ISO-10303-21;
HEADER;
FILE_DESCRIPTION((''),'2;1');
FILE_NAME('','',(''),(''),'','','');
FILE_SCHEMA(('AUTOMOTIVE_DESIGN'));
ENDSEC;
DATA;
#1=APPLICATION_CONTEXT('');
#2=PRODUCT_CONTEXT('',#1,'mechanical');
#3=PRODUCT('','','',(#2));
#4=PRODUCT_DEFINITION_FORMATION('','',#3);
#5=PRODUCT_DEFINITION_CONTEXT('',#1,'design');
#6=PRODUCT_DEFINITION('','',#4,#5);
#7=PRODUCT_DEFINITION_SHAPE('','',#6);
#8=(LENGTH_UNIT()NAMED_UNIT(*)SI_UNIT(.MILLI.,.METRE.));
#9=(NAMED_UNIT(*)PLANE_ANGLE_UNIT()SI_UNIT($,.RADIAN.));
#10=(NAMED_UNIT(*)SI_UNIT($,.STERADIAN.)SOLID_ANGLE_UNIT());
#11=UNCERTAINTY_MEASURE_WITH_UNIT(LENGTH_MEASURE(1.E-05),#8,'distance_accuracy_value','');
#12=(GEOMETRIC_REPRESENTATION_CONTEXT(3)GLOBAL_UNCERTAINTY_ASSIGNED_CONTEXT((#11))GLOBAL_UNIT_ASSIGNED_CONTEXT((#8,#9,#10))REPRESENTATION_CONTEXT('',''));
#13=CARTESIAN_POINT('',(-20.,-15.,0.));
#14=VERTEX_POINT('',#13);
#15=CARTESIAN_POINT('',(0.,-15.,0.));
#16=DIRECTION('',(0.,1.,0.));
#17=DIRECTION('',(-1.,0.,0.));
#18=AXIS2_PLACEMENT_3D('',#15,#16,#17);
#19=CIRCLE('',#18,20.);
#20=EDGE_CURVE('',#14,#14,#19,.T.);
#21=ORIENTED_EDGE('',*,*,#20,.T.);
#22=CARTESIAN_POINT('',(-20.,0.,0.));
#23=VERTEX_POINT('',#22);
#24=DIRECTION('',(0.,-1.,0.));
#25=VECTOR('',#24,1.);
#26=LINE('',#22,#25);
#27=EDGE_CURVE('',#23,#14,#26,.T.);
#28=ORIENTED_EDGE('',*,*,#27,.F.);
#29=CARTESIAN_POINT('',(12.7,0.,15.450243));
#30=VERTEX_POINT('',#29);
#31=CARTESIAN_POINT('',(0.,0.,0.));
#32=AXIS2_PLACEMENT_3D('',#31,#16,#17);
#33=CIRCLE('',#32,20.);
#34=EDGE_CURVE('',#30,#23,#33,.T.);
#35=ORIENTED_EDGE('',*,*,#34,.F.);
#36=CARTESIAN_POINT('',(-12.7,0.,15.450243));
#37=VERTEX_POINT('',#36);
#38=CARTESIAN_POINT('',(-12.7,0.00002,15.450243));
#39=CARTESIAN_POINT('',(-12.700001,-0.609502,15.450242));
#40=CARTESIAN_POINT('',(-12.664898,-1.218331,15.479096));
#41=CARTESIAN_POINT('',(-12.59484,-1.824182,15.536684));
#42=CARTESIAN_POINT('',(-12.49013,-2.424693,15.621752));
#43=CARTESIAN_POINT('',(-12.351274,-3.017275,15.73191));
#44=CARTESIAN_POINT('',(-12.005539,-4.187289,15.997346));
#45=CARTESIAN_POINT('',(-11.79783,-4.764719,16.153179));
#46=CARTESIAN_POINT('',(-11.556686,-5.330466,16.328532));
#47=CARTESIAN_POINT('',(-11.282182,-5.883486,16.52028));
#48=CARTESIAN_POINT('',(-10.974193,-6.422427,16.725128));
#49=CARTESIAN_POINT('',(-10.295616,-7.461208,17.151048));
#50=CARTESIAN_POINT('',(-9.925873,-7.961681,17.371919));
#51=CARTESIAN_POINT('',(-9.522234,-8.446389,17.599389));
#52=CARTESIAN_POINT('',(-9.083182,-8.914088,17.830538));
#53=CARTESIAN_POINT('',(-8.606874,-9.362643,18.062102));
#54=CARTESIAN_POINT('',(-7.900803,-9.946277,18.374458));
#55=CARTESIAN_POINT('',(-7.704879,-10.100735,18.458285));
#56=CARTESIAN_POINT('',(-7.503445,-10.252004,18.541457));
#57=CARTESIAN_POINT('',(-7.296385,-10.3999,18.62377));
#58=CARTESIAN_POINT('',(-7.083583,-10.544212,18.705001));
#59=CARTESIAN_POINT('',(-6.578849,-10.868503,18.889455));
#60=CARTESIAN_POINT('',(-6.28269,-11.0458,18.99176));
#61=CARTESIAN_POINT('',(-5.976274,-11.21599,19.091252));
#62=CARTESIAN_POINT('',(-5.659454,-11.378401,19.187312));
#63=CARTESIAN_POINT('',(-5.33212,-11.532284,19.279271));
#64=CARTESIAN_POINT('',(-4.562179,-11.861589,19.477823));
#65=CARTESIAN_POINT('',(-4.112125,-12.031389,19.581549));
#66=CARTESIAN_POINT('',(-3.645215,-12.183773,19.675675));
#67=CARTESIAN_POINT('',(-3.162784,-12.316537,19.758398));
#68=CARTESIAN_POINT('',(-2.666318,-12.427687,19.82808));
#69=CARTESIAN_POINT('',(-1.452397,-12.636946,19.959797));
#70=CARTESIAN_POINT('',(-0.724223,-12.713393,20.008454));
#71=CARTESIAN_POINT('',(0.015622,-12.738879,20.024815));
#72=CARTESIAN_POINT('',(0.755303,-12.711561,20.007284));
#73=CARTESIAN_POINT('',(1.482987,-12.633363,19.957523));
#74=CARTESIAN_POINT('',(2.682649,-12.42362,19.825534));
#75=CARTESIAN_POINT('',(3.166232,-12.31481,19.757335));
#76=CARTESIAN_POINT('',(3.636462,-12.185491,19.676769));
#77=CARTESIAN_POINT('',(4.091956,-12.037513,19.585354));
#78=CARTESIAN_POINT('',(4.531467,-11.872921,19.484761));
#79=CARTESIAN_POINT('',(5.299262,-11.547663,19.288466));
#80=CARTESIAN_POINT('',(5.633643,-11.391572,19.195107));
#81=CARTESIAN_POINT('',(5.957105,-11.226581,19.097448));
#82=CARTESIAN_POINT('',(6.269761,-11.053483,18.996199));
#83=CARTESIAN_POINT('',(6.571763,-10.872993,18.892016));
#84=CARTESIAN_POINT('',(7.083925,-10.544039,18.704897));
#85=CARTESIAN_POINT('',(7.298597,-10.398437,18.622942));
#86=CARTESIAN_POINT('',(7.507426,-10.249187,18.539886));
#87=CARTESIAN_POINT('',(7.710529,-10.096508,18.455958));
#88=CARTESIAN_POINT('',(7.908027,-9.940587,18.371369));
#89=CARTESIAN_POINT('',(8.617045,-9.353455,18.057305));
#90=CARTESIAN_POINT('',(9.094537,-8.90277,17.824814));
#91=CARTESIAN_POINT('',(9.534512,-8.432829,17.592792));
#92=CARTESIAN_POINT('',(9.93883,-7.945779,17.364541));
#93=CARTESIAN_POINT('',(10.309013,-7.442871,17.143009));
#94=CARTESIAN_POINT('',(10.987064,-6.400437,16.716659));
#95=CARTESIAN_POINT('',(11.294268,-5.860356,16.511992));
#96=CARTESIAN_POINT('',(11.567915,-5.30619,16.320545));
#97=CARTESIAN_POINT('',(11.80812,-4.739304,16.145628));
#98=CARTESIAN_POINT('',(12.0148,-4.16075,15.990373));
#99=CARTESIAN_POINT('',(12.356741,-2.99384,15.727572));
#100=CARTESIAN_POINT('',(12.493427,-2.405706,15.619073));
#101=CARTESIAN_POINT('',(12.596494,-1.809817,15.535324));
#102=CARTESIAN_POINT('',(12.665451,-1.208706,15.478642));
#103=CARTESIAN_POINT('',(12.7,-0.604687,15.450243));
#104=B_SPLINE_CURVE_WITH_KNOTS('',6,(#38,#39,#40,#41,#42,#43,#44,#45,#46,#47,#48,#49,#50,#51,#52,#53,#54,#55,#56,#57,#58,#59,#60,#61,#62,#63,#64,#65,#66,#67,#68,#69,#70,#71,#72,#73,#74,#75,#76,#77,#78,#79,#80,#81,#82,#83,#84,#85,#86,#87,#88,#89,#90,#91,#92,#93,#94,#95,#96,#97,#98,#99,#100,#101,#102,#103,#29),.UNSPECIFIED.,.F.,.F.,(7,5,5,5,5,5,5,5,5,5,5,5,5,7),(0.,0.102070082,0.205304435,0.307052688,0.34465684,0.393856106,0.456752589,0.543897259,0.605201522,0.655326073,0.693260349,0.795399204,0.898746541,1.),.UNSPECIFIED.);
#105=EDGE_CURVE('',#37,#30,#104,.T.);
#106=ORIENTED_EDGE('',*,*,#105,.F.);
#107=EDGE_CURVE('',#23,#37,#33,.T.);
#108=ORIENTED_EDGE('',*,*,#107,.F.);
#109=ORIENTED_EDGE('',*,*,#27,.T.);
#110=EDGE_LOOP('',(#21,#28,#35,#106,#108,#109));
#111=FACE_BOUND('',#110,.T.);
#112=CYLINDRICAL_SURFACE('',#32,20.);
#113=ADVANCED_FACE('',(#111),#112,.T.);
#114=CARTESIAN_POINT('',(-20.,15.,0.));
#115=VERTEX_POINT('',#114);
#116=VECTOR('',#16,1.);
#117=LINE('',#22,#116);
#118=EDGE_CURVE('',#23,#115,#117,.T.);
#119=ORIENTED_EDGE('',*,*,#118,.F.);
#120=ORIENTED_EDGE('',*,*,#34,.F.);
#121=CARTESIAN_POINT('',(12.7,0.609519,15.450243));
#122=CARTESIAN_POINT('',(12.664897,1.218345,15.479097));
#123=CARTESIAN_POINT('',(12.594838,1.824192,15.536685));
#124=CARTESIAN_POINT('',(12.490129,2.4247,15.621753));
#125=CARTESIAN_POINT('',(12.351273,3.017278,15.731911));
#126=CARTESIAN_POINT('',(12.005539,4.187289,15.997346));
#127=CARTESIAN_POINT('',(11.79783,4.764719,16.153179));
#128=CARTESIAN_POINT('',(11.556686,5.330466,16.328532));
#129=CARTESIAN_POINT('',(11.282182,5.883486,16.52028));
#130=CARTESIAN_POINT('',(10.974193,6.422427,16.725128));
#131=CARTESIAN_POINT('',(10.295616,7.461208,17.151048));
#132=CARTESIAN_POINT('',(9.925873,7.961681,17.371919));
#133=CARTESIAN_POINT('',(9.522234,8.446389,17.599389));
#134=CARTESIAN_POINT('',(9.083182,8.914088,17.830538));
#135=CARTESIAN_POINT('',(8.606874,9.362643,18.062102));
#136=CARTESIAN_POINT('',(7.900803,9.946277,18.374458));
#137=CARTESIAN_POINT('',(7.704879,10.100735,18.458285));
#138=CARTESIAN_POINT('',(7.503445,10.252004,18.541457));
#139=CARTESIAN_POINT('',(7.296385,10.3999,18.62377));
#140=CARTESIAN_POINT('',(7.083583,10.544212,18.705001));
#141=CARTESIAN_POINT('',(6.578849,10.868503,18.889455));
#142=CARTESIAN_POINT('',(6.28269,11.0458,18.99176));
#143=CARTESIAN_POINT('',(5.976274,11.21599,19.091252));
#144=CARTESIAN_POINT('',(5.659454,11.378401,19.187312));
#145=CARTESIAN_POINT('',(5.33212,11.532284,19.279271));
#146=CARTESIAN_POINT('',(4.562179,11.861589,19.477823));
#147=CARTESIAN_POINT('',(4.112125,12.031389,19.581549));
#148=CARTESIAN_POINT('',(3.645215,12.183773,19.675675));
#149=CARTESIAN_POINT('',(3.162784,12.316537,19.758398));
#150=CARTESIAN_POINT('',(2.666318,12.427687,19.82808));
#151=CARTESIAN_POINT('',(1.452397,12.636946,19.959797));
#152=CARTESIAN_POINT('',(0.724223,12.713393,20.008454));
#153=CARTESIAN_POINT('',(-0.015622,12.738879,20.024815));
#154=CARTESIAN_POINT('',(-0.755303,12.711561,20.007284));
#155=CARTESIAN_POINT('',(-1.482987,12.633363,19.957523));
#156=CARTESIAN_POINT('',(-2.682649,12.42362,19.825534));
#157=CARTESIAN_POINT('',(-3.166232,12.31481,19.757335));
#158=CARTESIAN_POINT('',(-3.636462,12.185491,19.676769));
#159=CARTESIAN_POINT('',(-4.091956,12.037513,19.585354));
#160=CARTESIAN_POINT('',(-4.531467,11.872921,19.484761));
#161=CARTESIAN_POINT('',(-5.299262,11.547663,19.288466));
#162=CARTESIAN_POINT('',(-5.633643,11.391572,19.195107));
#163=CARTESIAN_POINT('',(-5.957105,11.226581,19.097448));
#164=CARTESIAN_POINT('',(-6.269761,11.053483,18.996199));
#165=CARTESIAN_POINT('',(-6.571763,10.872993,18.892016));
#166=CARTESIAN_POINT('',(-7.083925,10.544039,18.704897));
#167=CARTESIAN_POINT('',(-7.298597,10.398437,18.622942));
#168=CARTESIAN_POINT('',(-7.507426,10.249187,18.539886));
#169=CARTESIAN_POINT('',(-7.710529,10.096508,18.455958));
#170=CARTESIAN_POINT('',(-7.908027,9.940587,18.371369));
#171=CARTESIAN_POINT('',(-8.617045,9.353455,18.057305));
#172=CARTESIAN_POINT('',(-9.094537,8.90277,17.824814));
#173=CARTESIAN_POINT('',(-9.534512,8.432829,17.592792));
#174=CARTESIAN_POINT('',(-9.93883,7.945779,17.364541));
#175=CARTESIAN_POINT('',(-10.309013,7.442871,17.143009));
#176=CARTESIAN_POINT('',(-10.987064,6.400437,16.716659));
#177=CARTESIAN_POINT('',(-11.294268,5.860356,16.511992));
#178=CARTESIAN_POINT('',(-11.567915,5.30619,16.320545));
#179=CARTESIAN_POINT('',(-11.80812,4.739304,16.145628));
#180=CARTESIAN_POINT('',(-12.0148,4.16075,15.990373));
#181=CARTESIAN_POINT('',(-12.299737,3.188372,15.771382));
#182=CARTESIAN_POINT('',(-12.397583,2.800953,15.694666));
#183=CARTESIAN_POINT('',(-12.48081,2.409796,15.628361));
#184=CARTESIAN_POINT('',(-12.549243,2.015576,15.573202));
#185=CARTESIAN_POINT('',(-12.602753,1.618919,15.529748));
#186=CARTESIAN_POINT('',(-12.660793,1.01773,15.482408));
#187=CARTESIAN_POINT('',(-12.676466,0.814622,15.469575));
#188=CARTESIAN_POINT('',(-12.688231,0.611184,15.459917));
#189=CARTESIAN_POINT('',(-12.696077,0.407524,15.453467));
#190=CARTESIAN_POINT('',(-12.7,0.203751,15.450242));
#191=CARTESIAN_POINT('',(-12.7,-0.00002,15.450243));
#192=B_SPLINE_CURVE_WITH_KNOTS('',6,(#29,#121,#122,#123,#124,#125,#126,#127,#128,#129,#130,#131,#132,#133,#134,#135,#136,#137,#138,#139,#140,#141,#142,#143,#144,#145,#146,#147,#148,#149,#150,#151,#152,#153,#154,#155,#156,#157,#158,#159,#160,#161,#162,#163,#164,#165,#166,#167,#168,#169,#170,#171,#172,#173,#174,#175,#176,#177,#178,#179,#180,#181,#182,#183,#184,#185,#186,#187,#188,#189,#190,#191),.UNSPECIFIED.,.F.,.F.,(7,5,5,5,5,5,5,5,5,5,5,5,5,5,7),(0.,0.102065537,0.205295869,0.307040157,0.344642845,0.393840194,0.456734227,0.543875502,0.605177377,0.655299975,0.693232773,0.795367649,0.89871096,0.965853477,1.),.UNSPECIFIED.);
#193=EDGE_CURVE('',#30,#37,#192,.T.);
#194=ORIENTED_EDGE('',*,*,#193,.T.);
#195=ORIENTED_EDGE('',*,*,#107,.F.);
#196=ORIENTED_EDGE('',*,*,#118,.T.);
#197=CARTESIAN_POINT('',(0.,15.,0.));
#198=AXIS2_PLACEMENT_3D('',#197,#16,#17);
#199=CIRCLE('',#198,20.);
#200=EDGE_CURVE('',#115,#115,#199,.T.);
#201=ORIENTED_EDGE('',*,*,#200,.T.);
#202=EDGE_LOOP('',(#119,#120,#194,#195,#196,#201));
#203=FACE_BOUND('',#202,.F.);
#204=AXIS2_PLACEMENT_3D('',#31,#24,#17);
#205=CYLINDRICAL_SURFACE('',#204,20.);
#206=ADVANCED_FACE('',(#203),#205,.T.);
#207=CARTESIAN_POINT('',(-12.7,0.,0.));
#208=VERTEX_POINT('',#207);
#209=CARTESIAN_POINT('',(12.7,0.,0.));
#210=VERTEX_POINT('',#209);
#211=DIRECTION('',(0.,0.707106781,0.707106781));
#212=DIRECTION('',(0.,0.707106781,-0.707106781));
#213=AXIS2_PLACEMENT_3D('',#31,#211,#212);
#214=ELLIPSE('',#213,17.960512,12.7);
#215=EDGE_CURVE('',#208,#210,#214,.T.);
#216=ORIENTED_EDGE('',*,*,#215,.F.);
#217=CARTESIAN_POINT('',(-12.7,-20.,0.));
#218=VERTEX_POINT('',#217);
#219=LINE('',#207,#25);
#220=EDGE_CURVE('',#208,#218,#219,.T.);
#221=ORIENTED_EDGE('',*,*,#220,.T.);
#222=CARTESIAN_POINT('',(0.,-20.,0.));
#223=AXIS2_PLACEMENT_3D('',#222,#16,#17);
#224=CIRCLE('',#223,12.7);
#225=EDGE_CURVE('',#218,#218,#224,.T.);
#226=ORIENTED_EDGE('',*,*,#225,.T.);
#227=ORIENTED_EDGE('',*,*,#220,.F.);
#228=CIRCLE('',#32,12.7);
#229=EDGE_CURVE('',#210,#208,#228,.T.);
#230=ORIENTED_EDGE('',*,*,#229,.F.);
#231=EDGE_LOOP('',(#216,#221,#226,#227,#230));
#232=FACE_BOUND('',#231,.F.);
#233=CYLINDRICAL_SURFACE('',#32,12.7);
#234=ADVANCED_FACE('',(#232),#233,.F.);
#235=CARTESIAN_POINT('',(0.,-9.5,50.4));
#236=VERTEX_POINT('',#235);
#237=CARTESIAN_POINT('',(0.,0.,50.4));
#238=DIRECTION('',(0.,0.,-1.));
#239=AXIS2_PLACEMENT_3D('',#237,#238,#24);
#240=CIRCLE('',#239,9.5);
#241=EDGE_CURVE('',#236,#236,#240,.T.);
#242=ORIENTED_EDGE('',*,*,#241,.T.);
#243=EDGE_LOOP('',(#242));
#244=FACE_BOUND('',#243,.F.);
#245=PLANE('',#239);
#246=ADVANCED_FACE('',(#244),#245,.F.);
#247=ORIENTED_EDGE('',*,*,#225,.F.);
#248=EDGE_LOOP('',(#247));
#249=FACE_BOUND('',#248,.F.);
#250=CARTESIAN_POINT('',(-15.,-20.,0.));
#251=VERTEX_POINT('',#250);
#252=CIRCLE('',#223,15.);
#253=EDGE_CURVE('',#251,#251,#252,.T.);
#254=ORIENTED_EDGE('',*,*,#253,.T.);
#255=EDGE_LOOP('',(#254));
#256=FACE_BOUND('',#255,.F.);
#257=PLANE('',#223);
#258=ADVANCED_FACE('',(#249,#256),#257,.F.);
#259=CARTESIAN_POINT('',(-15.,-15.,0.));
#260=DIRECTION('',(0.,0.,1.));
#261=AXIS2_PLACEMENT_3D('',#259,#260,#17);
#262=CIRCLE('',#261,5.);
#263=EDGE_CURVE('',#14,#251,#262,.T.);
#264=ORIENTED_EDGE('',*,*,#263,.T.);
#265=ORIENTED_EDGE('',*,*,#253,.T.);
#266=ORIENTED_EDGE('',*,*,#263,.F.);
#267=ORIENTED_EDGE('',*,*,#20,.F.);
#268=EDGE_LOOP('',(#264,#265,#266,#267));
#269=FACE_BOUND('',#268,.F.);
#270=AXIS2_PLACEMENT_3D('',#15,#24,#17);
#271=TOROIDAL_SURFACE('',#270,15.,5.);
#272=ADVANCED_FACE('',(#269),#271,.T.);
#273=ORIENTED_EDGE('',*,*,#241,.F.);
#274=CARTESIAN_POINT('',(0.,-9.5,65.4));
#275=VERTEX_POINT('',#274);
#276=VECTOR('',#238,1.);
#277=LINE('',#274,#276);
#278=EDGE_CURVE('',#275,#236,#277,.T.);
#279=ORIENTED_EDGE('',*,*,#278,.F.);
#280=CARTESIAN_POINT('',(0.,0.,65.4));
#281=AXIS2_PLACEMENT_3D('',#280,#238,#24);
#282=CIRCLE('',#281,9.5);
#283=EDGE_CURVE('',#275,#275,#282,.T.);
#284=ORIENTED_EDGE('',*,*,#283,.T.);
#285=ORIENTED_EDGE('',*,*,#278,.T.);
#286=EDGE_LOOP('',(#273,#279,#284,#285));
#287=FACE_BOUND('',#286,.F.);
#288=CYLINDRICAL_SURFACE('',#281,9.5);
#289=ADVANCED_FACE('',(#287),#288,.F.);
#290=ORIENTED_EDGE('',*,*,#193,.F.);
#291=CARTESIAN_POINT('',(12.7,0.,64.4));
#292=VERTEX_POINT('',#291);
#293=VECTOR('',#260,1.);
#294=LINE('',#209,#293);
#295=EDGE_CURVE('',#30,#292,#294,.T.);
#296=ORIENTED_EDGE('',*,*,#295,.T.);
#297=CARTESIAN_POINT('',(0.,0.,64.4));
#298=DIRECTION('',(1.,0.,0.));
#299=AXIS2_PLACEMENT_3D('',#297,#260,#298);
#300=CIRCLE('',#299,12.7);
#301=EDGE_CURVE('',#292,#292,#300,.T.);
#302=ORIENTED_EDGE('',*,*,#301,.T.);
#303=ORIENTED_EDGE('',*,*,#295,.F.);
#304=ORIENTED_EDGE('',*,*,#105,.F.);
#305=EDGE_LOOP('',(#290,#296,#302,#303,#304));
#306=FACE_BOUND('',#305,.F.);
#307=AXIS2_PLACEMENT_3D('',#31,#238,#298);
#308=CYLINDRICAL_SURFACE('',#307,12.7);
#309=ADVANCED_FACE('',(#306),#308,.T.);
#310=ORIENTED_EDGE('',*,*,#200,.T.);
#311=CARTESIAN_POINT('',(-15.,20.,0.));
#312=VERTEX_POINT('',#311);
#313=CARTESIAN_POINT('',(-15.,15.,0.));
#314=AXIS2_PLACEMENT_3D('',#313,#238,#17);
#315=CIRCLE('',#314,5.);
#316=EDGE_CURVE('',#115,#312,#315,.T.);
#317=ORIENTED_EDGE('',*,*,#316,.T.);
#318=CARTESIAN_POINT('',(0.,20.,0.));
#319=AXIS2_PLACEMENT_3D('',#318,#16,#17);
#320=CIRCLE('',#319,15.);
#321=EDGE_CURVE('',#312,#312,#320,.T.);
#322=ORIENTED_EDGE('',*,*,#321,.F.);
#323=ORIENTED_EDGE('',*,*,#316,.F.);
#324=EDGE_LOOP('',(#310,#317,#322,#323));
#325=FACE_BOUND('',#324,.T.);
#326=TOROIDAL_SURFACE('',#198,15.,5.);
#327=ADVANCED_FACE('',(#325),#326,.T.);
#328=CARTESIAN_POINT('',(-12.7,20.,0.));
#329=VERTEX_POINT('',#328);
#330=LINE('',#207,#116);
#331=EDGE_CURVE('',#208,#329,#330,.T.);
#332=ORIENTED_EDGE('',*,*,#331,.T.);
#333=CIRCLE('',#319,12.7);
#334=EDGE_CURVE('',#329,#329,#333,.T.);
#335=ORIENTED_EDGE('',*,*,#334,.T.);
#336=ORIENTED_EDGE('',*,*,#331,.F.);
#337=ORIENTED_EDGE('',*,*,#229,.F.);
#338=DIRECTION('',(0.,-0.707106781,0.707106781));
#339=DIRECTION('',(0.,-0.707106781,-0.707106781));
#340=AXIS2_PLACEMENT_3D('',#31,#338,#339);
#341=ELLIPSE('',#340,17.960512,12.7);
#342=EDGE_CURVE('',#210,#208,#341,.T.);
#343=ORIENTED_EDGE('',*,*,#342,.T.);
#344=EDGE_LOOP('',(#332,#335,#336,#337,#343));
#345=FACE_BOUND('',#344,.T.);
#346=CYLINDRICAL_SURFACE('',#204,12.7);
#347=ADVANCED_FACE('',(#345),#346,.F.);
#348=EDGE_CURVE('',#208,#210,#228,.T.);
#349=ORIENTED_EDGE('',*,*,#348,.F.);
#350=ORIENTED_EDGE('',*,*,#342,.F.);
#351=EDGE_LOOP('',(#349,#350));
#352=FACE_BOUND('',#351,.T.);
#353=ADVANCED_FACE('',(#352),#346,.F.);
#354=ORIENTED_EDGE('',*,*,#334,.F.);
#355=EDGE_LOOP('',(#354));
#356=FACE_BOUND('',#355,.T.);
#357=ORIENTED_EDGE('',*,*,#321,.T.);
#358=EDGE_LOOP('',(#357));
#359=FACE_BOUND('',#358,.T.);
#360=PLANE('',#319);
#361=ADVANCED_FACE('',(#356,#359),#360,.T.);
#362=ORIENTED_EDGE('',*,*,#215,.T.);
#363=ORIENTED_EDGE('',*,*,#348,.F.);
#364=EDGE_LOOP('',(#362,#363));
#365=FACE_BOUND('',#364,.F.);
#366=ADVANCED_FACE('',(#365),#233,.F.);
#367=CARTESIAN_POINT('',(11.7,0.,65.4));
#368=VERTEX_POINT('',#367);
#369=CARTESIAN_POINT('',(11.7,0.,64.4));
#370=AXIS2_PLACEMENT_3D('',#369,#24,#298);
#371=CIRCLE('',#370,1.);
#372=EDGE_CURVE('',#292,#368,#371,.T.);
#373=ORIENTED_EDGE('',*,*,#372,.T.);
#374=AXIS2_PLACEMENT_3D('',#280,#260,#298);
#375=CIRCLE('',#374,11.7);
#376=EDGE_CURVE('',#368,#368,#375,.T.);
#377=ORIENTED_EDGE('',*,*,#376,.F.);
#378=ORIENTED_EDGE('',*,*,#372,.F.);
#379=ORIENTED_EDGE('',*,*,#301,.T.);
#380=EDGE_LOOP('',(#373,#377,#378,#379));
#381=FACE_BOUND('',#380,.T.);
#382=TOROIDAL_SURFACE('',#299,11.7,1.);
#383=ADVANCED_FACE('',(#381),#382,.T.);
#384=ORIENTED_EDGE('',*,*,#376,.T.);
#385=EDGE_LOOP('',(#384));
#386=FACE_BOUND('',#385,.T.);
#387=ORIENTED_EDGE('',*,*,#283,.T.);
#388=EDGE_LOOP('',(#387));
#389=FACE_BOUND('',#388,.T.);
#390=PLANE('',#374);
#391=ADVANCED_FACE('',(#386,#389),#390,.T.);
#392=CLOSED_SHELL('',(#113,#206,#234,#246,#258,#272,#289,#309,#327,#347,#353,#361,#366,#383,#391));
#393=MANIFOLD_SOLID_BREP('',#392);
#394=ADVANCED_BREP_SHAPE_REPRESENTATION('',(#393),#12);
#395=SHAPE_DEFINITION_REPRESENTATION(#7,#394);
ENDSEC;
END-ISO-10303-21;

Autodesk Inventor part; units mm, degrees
ref_plane "YZ Plane" through (0, 0, 0) normal (1, 0, 0) x (0, 1, 0)
ref_plane "XZ Plane" through (0, 0, 0) normal (0, 1, 0) x (-1, 0, 0)
ref_plane "XY Plane" through (0, 0, 0) normal (0, 0, 1) x (1, 0, 0)
sketch "Sketch1" plane through (0, 0, 0) normal (0, 1, 0) x (-1, 0, 0)
  circle A0 centre (0, 0) radius 12.7
  circle A1 centre (0, 0) radius 20
  dimension "d0" = 25.4
  dimension "d1" = 40
extrude "Extrusion1" add sketch "Sketch1" along normal mid plane 40
fillet "Fillet2" radius 5 2 edges at (20, 20, 0) (20, -20, 0)
sketch "Sketch6" plane through (0, 0, 0) normal (0, 0, 1) x (1, 0, 0)
  circle A0 centre (0, 0) radius 12.7
  dimension "d33" = 25.4
extrude "Extrusion6" add sketch "Sketch6" along normal blind 65.4
sketch "Sketch7" plane through (0, 0, 0) normal (0, 1, 0) x (-1, 0, 0)
  circle A0 centre (0, 0) radius 12.7
extrude "Extrusion7" cut sketch "Sketch7" along normal through all both and the other way through all
hole "Hole2" at (0, 0, 65.4) direction (0, 0, -1) diameter 19 depth 15
fillet "Fillet3" radius 1 1 edges at (-12.7, 0, 65.4)
properties part number "suporte-barra" material "Steel, Carbon"
